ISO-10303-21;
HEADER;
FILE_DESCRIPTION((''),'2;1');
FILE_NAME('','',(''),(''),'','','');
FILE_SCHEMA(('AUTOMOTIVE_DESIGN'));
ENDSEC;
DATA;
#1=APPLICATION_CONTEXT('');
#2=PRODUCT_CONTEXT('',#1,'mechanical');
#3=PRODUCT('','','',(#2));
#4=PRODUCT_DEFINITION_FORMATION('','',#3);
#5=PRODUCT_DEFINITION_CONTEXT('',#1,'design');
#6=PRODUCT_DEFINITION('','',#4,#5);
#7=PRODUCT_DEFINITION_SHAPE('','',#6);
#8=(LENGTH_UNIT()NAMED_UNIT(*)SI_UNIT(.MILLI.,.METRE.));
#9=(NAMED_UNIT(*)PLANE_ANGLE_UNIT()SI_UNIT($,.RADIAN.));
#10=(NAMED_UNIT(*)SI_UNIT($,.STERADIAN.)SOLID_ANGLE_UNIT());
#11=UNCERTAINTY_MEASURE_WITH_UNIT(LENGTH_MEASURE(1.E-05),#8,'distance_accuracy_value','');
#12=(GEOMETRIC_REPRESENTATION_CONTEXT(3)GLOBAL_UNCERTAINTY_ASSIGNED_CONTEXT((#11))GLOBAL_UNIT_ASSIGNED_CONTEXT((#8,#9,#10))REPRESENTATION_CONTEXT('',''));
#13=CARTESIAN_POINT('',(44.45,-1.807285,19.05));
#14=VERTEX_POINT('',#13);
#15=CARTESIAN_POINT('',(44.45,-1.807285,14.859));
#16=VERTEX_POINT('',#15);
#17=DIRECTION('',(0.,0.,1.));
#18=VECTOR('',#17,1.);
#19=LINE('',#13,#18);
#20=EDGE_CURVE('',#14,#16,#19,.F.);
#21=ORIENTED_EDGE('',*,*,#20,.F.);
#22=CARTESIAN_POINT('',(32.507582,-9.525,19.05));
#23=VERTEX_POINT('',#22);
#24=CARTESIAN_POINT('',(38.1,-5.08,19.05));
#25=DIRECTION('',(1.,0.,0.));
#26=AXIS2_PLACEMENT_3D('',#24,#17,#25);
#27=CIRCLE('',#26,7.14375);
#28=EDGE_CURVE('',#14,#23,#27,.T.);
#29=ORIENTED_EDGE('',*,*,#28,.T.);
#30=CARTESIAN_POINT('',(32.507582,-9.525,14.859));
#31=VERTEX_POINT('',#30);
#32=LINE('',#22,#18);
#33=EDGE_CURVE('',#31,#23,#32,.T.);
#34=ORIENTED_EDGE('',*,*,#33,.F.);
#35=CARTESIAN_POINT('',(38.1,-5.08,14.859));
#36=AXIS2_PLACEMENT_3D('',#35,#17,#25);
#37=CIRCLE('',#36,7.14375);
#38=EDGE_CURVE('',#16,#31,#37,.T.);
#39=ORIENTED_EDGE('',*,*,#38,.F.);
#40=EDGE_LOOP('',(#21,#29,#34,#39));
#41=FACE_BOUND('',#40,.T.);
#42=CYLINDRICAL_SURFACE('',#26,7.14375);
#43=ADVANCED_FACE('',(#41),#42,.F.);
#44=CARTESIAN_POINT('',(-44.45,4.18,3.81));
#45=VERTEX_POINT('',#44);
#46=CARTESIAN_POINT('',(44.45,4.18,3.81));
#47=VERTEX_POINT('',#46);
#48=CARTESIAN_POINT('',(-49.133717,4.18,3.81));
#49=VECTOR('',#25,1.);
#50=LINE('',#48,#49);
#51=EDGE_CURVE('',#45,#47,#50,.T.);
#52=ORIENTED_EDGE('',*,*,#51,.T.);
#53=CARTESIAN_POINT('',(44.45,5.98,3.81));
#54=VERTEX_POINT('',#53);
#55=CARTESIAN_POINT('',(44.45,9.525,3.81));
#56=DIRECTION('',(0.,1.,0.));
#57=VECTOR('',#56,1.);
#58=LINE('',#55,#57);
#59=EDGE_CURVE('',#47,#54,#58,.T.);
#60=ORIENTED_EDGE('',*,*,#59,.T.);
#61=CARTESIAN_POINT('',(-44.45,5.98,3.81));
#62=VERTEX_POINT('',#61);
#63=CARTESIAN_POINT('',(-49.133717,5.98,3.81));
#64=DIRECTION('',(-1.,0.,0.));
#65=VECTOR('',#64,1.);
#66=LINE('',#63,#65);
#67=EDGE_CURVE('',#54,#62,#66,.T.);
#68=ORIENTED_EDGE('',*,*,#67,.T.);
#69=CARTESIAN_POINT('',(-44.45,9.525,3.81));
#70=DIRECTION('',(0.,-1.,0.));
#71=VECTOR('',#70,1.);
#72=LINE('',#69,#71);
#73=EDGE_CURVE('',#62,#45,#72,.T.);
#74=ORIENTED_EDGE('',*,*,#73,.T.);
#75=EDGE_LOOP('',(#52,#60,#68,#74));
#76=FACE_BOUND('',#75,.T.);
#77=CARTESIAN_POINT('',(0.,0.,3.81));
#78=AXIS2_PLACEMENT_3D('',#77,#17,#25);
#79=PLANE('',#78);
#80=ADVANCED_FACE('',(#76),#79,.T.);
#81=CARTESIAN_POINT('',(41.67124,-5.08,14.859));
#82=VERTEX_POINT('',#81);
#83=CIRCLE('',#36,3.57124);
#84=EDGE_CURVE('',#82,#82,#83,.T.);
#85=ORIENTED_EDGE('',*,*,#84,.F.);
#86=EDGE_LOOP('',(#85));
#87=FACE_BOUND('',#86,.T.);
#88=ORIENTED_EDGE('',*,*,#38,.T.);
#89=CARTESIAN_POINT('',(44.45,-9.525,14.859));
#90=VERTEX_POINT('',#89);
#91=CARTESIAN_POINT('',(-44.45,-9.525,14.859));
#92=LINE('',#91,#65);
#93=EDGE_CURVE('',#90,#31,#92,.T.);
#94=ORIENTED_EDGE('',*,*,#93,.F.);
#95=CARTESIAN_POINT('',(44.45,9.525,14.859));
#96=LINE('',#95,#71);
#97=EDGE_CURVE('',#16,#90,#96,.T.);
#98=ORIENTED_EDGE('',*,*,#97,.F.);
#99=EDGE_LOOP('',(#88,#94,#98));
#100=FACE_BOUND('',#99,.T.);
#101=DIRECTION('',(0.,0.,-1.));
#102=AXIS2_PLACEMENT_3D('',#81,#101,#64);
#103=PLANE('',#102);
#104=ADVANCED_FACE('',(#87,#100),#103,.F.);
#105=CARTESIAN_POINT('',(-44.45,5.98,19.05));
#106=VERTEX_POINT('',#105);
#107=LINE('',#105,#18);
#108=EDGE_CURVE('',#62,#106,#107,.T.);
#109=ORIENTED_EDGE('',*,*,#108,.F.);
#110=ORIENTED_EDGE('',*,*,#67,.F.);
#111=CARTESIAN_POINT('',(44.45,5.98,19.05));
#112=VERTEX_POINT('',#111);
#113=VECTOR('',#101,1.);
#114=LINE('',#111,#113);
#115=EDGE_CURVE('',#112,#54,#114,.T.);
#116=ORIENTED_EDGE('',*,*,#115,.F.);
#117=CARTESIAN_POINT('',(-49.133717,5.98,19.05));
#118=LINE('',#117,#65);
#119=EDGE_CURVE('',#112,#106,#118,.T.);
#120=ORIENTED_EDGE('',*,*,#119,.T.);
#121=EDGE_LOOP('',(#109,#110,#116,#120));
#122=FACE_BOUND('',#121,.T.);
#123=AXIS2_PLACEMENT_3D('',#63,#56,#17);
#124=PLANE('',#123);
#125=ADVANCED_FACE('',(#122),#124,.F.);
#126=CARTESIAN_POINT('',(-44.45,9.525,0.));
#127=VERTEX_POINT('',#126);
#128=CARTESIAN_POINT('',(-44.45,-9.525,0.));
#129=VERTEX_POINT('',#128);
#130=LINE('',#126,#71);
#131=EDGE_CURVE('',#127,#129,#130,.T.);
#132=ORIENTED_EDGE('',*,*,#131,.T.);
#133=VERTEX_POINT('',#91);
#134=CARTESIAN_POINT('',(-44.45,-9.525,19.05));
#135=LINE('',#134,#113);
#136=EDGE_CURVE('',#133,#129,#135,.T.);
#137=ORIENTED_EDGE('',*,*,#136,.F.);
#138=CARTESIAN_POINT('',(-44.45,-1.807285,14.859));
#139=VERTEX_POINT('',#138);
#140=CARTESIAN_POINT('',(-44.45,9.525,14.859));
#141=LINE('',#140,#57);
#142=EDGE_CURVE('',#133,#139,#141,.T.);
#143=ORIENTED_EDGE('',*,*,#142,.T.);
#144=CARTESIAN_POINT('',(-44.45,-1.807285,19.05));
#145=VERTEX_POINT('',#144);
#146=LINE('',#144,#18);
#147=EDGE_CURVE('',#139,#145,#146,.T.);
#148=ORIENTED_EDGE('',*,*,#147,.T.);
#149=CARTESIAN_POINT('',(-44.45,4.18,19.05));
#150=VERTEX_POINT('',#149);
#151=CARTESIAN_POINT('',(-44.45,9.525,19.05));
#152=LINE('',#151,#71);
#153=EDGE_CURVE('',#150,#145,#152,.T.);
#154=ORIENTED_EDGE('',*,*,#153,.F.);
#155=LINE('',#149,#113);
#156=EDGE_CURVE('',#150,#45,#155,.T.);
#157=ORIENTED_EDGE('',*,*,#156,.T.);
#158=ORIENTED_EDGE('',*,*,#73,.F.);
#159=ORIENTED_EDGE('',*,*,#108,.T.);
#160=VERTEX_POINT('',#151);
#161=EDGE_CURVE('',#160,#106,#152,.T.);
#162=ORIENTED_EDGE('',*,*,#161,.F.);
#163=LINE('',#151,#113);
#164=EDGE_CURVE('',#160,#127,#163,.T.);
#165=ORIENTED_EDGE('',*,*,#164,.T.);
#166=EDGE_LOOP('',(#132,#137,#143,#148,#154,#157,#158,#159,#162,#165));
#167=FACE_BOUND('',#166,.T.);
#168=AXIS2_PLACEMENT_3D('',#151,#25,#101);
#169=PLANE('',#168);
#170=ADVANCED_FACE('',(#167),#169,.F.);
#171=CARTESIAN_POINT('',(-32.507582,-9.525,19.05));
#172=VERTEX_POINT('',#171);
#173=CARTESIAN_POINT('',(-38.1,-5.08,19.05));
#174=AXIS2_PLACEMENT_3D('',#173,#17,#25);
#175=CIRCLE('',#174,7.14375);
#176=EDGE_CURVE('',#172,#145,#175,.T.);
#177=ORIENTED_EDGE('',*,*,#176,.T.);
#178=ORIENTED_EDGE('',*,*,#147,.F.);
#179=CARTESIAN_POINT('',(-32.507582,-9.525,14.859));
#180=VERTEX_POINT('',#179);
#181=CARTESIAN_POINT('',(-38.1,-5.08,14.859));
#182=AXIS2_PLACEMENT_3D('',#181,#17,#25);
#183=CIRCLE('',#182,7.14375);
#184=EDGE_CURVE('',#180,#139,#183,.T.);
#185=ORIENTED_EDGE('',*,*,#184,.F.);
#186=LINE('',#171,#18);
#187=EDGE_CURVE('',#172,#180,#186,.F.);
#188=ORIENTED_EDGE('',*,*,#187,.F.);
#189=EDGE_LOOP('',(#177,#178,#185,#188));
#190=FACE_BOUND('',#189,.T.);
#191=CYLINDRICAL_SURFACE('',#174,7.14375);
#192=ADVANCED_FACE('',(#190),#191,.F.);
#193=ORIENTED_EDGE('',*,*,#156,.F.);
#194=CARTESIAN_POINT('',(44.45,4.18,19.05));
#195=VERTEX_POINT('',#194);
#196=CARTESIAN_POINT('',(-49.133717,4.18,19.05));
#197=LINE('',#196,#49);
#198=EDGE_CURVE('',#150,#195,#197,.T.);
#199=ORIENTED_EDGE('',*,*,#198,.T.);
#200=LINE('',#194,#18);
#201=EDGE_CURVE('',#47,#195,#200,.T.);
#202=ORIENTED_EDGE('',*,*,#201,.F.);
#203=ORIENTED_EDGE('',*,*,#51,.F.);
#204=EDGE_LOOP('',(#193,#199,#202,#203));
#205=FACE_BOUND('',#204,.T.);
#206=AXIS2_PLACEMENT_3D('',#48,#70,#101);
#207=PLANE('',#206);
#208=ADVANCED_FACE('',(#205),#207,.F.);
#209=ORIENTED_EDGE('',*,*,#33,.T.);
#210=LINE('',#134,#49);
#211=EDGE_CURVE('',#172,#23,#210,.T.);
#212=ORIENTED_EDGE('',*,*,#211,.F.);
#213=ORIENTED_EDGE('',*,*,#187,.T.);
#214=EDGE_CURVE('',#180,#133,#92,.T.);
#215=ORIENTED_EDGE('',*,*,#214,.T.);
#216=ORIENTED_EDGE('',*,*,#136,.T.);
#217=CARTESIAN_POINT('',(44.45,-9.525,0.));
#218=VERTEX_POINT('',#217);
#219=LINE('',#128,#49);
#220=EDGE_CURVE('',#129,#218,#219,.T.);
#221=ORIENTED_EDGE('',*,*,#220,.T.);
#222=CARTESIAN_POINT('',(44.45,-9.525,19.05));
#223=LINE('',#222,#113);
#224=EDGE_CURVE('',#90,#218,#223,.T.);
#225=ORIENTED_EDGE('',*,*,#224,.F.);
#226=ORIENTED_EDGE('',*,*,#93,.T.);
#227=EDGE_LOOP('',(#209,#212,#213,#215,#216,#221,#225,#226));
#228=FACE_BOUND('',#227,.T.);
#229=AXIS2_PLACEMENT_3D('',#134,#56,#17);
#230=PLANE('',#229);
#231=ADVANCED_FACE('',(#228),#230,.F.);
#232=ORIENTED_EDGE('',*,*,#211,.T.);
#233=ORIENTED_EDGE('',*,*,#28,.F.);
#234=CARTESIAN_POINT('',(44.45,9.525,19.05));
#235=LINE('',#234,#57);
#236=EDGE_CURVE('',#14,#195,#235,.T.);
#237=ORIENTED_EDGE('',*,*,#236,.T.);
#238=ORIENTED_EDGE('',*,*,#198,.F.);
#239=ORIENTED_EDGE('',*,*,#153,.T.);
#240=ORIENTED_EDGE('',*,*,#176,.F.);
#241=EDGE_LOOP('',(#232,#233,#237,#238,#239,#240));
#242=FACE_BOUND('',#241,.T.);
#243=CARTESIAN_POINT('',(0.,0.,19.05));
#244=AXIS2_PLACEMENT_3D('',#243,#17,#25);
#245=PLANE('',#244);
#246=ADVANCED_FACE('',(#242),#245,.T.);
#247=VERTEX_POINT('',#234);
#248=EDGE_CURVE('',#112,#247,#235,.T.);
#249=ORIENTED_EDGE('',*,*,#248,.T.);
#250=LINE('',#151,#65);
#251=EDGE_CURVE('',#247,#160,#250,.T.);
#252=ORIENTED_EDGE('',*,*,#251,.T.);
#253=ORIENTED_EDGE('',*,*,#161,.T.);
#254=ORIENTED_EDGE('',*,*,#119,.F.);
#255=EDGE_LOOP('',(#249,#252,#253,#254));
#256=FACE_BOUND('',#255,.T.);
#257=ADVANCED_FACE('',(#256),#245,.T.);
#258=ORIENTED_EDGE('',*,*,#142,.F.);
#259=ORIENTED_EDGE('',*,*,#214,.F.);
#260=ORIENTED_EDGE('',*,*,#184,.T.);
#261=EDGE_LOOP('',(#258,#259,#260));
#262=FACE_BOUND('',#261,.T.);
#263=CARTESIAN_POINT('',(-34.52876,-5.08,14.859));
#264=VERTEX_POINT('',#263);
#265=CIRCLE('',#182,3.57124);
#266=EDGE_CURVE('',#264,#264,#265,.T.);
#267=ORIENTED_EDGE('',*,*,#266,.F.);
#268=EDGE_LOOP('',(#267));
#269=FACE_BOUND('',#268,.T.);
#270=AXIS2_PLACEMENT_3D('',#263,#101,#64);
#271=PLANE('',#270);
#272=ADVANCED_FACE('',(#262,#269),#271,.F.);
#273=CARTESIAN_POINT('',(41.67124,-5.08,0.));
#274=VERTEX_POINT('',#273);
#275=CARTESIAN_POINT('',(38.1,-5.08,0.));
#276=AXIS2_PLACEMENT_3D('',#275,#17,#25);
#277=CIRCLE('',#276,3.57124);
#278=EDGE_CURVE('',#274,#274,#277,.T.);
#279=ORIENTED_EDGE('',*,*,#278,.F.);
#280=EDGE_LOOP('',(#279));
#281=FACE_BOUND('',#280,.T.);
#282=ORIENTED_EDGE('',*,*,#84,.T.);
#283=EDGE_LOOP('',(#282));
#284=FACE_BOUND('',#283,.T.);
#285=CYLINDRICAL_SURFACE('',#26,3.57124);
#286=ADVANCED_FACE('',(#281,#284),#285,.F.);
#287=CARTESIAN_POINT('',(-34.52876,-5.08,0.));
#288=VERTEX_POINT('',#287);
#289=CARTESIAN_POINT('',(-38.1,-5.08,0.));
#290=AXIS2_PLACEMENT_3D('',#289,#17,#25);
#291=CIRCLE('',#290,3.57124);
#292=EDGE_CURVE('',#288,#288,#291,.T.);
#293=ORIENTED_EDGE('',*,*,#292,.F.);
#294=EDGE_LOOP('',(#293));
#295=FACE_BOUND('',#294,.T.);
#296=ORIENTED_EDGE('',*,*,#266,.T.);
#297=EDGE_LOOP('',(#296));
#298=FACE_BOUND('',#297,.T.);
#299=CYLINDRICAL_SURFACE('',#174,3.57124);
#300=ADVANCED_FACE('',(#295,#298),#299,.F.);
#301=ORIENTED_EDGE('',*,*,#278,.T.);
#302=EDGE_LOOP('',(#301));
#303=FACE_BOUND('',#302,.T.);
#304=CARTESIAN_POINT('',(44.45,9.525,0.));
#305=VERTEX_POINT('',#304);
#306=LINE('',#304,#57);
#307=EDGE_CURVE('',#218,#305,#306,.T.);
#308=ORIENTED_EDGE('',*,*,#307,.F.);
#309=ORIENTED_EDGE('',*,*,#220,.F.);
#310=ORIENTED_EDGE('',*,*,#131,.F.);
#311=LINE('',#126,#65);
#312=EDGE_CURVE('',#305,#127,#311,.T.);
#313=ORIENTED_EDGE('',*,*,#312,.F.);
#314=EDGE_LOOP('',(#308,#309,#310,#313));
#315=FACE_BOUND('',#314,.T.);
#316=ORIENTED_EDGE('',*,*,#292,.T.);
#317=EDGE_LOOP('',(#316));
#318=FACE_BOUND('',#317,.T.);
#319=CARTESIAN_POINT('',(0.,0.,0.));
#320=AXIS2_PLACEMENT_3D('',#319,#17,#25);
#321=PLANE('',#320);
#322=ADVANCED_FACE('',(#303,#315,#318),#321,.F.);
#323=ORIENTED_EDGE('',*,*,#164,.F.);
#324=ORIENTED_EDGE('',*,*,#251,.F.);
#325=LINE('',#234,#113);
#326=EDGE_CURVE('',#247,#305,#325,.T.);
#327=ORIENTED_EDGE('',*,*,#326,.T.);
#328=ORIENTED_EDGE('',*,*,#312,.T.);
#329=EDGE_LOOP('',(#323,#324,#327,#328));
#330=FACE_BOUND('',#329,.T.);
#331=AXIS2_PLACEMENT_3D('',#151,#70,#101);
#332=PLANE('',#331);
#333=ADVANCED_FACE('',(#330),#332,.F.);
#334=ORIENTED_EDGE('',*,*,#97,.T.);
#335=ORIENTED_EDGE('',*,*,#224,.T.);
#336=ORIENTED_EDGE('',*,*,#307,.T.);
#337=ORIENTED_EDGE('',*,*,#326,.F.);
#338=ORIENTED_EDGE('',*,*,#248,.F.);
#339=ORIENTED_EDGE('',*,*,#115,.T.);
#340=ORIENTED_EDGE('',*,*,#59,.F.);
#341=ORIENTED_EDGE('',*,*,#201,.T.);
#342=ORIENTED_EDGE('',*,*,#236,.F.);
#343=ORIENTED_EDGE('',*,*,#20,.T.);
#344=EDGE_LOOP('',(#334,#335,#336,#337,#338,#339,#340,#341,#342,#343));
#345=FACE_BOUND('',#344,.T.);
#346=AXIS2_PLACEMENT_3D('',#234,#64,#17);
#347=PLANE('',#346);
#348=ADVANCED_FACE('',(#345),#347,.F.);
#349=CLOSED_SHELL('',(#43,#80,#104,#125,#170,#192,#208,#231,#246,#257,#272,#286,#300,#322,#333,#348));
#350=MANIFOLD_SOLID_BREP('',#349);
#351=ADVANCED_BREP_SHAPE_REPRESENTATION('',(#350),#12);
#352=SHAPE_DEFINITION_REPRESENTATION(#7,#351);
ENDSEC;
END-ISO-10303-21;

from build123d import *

# Parameters (mm, degrees)
SKETCH1_W                                            = 88.9
SKETCH1_H                                            = 19.05
BOSS_EXTRUDE1_DEPTH                                  = 19.05
CBORE_FOR_1_4_BINDING_HEAD_MACHINE_SCREW_D           = 7.14248
CBORE_FOR_1_4_BINDING_HEAD_MACHINE_SCREW_CBORE_D     = 14.2875
CBORE_FOR_1_4_BINDING_HEAD_MACHINE_SCREW_CBORE_DEPTH = 4.191
SKETCH5_W                                            = 98.267434004
SKETCH5_H                                            = 1.8
CUT_EXTRUDE1_DEPTH                                   = 15.24
SKETCH6_R                                            = 6.169746407
SKETCH6_R_2                                          = 8.762598039
CUT_EXTRUDE2_DEPTH                                   = 15.24


with BuildPart() as part:
    # Sketch1 → Boss-Extrude1 (new body)
    with BuildSketch(Plane.XY):
        Rectangle(SKETCH1_W, SKETCH1_H)
    extrude(amount=BOSS_EXTRUDE1_DEPTH)

    # CBORE for 1/4 Binding Head Machine Screw1 (through all)
    with Locations(Plane.XY.offset(19.05)):
        with Locations((-38.1, -5.08), (38.1, -5.08)):
            CounterBoreHole(CBORE_FOR_1_4_BINDING_HEAD_MACHINE_SCREW_D / 2, CBORE_FOR_1_4_BINDING_HEAD_MACHINE_SCREW_CBORE_D / 2, CBORE_FOR_1_4_BINDING_HEAD_MACHINE_SCREW_CBORE_DEPTH)

    # Sketch5 → Cut-Extrude1 (cut)
    with BuildSketch(Plane.XY.offset(19.05)):
        with Locations((0, 5.08)):
            Rectangle(SKETCH5_W, SKETCH5_H)
    extrude(amount=-CUT_EXTRUDE1_DEPTH, mode=Mode.SUBTRACT)

    # Sketch6 → Cut-Extrude2 (cut)
    with BuildSketch(Plane.XY.offset(14.859)):
        with Locations((-47.154600555, -9.207193904)):
            Circle(SKETCH6_R)
        with Locations((49.650008249, -12.821232633)):
            Circle(SKETCH6_R_2)
    extrude(amount=CUT_EXTRUDE2_DEPTH, mode=Mode.SUBTRACT)


solid = part.part
